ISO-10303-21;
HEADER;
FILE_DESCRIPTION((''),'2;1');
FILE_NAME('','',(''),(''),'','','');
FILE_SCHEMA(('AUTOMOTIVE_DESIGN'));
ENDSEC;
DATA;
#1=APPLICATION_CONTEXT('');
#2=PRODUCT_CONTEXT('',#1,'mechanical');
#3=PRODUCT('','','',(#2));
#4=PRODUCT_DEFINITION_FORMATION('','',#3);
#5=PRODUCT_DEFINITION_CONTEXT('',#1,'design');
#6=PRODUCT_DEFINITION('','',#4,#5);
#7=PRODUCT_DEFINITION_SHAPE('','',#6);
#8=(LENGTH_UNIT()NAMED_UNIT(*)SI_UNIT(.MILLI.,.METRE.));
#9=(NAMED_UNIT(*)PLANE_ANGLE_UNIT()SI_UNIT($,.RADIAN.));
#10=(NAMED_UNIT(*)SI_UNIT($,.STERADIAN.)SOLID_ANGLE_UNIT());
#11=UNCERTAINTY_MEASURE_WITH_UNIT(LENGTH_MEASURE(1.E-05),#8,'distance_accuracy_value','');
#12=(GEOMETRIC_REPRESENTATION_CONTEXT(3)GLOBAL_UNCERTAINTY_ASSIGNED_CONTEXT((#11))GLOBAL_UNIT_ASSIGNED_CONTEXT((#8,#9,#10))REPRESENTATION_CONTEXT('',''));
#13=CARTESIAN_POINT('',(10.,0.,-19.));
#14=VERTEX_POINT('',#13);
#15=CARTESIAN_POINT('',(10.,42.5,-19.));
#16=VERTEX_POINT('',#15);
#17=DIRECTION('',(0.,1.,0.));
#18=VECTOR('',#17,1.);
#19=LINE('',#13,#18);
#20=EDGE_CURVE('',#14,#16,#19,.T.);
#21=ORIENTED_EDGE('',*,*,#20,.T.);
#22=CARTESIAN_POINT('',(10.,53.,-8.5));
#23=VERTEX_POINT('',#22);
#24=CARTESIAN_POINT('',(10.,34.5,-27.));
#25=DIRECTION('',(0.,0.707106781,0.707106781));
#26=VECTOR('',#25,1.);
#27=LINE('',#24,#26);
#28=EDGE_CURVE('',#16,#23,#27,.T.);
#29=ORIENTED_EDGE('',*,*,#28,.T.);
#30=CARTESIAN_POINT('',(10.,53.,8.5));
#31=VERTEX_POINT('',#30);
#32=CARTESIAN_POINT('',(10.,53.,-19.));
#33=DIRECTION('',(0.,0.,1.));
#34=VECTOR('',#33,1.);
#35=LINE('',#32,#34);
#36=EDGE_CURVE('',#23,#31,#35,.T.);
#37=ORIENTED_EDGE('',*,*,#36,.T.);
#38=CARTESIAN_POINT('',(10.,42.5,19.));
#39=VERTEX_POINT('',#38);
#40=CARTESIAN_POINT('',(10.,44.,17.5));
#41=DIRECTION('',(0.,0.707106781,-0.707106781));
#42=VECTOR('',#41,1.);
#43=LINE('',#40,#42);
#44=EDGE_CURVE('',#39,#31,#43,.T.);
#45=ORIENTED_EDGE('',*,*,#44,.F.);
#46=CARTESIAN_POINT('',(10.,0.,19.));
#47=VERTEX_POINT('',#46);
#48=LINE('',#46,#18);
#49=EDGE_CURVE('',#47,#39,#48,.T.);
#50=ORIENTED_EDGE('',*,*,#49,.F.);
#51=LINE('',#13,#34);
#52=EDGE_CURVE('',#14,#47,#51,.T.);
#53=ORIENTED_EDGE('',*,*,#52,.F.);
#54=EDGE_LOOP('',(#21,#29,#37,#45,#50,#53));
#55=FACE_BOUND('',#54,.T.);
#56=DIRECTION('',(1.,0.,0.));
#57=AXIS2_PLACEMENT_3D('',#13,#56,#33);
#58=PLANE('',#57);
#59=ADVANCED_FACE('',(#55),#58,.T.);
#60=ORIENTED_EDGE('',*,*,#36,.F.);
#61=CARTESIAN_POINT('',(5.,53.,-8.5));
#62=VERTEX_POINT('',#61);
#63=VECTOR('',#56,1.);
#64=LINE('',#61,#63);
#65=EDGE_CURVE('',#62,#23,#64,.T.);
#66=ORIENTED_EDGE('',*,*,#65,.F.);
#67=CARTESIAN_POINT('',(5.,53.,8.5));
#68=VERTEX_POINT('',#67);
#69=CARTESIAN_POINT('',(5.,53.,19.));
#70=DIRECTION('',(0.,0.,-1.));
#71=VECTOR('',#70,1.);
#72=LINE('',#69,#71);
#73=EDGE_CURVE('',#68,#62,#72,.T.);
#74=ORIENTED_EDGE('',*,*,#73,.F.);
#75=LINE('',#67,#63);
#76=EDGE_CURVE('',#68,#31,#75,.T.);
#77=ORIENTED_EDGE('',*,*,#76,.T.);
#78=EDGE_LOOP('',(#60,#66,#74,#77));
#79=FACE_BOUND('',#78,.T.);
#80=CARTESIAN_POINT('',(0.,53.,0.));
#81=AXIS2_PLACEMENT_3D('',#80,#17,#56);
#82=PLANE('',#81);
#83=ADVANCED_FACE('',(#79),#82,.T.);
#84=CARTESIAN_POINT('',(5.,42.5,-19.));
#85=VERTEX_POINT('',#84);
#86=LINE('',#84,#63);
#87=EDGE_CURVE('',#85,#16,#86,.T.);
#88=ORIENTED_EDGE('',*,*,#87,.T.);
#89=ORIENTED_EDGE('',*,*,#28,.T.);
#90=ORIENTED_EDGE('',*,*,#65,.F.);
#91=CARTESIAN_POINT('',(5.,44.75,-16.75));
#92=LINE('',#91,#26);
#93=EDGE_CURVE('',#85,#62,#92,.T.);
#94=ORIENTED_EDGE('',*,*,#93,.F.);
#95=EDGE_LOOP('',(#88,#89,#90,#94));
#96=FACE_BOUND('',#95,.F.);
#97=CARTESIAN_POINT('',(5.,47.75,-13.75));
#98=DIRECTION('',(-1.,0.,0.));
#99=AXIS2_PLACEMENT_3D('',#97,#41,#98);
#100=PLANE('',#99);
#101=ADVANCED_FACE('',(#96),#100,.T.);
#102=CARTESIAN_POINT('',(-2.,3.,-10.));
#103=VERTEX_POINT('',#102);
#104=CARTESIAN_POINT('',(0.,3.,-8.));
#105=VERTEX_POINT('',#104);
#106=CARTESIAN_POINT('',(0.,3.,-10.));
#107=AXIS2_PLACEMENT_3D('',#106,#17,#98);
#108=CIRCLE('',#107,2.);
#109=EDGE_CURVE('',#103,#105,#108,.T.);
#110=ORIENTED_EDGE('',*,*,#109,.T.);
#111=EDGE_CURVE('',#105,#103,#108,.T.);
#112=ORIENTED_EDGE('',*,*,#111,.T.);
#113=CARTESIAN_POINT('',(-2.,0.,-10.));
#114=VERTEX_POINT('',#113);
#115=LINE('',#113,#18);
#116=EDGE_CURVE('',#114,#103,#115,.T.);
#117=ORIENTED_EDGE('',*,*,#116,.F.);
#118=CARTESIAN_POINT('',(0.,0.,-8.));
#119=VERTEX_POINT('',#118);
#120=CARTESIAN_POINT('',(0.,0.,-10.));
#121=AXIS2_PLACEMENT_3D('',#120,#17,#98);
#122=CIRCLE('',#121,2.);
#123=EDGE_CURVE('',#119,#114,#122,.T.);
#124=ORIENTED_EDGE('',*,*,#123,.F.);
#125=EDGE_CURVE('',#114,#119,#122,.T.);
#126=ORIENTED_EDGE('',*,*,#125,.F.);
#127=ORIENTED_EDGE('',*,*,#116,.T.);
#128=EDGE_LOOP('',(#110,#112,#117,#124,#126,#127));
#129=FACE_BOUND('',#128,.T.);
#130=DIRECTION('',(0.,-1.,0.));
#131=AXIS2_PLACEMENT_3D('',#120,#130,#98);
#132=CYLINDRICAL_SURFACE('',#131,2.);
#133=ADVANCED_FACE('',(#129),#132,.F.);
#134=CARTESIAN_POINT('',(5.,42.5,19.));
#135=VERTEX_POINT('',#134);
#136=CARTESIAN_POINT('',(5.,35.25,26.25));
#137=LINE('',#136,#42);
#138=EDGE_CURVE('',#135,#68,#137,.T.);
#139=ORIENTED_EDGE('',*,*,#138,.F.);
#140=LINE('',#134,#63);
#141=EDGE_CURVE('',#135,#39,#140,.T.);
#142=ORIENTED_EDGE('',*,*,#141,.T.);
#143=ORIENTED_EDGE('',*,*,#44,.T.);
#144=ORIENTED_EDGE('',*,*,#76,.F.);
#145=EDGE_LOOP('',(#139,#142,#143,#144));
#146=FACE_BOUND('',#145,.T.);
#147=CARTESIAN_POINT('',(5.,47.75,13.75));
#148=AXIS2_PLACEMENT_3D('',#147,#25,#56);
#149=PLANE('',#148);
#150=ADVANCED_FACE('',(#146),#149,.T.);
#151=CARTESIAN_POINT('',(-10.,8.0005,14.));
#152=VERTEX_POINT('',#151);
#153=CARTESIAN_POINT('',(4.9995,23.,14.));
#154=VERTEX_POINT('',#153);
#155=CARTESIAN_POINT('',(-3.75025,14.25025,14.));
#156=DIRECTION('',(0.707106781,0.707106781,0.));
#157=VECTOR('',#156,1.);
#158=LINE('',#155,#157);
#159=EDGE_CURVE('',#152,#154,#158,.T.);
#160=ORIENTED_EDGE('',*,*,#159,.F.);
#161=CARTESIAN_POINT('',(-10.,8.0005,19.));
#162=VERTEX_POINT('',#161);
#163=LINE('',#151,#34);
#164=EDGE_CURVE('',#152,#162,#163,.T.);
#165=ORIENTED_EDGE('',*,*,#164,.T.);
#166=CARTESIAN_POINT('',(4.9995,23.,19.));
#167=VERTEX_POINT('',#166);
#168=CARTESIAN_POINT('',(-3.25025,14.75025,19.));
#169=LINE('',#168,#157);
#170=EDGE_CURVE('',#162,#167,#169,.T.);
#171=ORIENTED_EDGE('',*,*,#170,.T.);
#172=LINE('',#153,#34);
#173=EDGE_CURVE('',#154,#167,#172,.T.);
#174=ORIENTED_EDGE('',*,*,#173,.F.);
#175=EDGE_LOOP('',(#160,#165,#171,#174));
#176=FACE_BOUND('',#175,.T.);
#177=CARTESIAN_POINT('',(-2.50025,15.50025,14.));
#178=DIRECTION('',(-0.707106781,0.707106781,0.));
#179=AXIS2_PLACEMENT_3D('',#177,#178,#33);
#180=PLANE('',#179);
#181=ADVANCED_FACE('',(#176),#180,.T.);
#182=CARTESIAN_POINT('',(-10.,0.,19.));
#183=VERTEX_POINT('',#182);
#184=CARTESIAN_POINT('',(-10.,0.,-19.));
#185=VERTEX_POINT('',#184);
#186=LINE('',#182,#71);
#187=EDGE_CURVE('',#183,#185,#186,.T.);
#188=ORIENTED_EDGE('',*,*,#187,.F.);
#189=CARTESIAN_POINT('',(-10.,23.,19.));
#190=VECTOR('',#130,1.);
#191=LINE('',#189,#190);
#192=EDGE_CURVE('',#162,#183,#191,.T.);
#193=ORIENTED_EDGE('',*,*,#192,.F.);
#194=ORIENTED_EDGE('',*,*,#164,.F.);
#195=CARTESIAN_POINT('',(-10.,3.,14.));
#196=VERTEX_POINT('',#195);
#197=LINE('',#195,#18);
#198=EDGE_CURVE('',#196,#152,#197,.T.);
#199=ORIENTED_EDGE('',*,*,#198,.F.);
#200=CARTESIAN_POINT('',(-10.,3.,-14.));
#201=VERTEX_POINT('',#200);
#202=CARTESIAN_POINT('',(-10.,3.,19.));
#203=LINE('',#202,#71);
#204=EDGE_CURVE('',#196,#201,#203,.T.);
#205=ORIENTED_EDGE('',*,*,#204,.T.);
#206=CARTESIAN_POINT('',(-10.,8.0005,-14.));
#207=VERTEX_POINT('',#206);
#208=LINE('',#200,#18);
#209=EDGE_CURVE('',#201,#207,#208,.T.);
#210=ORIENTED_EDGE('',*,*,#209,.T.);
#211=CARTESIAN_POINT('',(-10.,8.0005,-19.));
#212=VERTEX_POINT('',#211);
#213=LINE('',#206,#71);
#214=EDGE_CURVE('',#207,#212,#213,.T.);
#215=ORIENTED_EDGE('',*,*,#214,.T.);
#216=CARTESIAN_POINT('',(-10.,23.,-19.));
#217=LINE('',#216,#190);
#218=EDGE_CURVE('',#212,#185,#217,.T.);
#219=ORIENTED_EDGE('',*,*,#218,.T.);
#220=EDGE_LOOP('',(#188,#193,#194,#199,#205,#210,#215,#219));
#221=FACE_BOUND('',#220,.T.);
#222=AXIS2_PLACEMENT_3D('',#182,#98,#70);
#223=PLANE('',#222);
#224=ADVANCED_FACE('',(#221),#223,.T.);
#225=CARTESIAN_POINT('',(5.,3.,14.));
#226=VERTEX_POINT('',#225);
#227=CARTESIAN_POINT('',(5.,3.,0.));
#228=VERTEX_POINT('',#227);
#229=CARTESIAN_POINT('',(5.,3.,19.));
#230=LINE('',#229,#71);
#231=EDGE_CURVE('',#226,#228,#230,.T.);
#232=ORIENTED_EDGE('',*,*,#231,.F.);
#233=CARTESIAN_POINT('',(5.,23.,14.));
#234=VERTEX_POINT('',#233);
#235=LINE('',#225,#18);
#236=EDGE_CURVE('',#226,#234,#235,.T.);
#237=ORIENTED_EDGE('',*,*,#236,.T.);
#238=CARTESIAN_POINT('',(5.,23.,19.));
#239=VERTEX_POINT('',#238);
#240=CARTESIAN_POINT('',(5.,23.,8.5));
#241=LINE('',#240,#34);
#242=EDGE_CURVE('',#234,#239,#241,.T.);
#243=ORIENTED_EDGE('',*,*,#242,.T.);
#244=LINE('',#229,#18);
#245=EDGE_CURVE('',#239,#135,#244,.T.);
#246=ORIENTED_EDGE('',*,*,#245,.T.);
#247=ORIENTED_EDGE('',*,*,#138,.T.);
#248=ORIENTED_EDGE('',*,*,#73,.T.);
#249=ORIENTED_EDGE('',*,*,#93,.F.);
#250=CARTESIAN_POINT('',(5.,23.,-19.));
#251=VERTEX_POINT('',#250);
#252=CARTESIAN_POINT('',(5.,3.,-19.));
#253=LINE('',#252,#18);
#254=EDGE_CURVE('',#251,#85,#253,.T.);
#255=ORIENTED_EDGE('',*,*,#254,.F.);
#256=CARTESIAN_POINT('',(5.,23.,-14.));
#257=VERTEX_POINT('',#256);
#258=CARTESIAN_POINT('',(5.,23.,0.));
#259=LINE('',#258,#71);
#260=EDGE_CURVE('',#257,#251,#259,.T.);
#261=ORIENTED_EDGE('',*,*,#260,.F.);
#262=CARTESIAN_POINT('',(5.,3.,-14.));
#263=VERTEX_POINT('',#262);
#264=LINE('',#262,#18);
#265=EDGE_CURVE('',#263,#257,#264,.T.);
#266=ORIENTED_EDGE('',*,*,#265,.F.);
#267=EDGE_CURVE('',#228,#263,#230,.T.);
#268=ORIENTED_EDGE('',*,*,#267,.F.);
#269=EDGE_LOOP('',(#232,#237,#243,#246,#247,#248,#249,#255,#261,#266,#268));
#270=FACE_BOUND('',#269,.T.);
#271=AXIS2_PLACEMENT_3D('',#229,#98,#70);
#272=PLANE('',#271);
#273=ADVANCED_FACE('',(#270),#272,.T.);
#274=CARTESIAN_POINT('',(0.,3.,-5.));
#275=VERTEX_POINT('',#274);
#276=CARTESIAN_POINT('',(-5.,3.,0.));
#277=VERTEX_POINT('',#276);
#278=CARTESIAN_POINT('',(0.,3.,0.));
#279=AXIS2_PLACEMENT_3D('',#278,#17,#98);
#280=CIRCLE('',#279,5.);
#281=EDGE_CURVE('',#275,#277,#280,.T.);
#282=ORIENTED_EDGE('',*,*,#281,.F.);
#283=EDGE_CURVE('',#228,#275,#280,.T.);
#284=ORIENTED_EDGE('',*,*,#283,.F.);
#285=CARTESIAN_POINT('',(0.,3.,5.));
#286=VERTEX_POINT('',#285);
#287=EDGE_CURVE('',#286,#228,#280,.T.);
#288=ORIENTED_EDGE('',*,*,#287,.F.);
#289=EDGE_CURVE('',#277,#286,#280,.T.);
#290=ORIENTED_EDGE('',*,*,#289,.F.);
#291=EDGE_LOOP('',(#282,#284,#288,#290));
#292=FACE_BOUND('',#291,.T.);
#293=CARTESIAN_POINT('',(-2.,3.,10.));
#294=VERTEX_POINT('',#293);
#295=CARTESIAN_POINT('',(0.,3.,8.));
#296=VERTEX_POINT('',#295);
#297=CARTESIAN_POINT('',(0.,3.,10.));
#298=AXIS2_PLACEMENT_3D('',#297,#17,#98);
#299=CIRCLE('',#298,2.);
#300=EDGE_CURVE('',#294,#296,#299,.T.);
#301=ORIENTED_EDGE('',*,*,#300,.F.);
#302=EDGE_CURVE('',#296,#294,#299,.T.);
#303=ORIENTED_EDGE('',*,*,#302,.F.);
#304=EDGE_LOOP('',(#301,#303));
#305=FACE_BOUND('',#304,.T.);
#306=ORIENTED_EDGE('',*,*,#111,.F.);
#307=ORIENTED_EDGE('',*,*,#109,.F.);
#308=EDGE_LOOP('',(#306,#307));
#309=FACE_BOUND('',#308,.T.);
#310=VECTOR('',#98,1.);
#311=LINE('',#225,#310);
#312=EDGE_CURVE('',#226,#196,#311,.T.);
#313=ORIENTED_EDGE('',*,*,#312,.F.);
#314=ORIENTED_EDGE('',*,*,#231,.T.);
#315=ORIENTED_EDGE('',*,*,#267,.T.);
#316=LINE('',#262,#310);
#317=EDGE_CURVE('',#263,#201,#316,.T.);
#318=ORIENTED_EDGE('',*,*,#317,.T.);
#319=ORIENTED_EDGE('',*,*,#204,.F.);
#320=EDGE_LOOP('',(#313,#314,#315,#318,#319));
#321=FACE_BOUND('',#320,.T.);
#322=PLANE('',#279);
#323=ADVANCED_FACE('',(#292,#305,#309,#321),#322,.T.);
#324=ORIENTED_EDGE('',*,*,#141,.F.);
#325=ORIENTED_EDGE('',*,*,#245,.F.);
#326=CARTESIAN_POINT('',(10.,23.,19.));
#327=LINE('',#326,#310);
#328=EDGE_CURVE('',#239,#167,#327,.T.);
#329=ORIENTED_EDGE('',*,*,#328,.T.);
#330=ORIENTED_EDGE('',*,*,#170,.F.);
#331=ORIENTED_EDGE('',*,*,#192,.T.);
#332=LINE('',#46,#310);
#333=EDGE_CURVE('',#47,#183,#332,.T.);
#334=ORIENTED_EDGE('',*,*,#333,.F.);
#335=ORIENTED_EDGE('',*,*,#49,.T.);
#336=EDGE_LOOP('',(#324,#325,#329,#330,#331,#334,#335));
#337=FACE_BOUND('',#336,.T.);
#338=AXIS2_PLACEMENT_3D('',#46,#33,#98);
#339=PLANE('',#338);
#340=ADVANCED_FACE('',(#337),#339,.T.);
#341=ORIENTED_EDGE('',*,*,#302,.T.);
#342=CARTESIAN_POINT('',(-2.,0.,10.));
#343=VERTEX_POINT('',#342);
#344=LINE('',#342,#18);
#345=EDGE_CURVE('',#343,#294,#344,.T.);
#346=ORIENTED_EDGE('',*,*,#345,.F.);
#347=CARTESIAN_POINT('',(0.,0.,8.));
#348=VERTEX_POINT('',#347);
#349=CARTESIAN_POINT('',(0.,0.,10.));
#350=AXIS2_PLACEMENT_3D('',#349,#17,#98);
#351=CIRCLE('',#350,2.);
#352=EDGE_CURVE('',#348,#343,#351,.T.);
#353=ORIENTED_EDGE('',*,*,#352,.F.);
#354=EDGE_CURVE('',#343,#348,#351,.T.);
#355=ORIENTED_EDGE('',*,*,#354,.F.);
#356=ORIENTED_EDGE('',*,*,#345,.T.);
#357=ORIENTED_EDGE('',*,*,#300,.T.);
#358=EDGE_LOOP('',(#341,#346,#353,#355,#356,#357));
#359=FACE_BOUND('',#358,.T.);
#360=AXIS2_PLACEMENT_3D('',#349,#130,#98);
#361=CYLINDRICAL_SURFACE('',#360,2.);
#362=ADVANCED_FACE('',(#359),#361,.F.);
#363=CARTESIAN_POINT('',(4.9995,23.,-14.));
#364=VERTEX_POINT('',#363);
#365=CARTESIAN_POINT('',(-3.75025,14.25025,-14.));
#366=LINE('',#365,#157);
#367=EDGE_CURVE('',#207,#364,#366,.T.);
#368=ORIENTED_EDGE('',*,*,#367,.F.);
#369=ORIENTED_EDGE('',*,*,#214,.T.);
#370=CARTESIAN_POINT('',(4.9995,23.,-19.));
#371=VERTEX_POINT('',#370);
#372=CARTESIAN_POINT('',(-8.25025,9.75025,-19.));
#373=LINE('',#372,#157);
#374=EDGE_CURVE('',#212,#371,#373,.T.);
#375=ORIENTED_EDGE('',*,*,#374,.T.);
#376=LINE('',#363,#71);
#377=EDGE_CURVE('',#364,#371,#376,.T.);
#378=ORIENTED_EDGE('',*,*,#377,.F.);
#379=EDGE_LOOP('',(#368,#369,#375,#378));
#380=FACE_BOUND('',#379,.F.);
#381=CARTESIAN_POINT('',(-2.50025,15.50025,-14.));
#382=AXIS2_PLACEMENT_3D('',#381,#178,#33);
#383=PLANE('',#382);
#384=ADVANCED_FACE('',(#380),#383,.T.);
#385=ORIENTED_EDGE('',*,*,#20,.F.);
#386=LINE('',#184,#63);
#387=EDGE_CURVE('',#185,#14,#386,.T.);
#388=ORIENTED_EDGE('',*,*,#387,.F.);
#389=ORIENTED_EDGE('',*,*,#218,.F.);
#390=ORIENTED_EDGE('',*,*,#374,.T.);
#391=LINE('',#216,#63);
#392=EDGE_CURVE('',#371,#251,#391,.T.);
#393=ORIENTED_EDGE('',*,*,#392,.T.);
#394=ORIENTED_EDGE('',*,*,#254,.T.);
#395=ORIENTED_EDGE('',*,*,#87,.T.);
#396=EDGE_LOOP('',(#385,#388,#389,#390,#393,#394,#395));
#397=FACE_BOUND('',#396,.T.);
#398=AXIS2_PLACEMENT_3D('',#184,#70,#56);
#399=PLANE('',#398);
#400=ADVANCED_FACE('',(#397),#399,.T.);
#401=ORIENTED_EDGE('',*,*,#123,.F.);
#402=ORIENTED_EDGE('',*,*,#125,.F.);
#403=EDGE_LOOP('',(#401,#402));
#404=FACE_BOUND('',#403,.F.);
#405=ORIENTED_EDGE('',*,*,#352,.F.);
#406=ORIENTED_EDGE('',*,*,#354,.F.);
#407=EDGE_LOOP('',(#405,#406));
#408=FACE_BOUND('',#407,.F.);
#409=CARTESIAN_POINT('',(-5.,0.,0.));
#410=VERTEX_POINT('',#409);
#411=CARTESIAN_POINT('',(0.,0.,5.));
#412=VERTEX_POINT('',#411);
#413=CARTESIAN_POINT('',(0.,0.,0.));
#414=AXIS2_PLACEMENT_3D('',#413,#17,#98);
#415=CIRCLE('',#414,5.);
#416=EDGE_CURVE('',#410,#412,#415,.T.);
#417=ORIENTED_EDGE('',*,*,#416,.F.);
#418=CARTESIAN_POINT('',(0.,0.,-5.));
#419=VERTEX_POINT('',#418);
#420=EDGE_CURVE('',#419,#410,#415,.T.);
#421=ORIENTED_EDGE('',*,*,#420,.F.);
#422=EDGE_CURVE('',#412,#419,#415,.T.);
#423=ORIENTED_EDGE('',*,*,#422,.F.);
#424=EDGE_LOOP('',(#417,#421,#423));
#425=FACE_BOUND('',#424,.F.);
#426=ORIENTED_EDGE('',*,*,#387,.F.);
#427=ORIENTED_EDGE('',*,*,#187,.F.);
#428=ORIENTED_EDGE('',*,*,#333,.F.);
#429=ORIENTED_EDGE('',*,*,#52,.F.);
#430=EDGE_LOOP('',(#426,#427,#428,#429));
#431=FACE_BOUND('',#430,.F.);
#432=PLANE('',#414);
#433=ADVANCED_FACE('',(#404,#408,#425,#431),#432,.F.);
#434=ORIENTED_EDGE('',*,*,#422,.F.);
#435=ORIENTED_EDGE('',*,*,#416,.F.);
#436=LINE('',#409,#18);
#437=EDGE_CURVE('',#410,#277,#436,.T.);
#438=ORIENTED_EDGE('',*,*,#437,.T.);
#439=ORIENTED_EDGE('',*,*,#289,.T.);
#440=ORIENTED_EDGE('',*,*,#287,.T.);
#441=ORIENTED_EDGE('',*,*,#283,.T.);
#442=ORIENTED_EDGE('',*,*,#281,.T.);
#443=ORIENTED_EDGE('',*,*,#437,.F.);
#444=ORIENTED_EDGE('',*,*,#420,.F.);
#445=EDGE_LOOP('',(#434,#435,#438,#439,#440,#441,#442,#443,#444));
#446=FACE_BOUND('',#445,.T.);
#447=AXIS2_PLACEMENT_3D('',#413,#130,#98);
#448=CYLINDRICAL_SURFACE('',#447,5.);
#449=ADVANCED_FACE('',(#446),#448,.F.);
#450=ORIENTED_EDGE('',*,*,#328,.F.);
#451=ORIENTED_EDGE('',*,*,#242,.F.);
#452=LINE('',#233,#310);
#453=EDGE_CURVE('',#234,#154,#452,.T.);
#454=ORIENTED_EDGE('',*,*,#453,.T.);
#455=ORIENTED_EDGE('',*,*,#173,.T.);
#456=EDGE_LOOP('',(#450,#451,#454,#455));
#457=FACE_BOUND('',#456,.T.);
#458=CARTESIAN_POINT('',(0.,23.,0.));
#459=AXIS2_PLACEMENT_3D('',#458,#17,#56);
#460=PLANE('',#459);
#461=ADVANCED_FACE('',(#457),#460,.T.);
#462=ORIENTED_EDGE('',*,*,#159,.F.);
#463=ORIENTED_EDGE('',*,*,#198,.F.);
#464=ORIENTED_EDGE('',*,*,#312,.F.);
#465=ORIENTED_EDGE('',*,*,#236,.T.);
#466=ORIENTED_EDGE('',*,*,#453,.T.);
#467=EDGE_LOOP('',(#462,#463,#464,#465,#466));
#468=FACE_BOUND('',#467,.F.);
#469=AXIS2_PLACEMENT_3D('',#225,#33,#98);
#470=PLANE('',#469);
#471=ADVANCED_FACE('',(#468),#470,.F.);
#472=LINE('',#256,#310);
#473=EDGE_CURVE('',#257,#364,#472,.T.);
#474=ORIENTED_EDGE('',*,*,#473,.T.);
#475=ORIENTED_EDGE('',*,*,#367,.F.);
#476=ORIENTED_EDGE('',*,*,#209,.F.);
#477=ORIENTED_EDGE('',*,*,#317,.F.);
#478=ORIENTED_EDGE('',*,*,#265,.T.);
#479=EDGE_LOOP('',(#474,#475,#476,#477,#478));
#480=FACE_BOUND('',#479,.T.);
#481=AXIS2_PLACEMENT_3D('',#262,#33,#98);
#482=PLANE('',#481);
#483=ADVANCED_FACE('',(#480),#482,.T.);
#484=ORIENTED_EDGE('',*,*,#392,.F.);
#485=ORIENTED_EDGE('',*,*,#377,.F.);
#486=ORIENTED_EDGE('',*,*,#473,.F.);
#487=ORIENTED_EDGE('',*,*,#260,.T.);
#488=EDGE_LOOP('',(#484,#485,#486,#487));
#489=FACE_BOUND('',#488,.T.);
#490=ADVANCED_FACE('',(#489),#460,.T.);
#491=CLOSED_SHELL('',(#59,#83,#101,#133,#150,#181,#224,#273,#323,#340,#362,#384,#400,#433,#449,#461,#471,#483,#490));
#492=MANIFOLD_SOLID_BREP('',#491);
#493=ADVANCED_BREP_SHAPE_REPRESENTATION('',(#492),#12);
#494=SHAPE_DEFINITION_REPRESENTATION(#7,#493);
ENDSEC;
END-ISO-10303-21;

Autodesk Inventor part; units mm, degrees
ref_plane "YZ Plane" through (0, 0, 0) normal (1, 0, 0) x (0, 1, 0)
ref_plane "XZ Plane" through (0, 0, 0) normal (0, 1, 0) x (-1, 0, 0)
ref_plane "XY Plane" through (0, 0, 0) normal (0, 0, 1) x (1, 0, 0)
sketch "Эскиз1" plane through (0, 0, 0) normal (0, 1, 0) x (-1, 0, 0)
  line L0 (-10, 19) -> (10, 19)
  line L1 (10, 19) -> (10, -19)
  line L2 (10, -19) -> (-10, -19)
  line L3 (-10, -19) -> (-10, 19)
  line L4 (-10, 19) -> (10, -19) construction
  line L5 (10, 19) -> (-10, -19) construction
  circle A0 centre (0, 0) radius 5
  line L6 (0, 0) -> (0, 10)
  line L7 (0, 10) -> (0, -10)
  circle A1 centre (0, 10) radius 2
  circle A2 centre (0, -10) radius 2
  dimension "d0" = 20
  dimension "d1" = 38
  dimension "d2" = 10
  dimension "d3" = 10
  dimension "d4" = 20
  dimension "d5" = 4
  dimension "d6" = 4
extrude "Выдавливание1" add sketch "Эскиз1" along normal blind 3
sketch "Эскиз2" plane through (0, 3, 0) normal (0, 1, 0) x (1, 0, 0)
  line L0 (-10, -19) -> (10, -19) projected
  line L1 (10, -19) -> (5, -19)
  line L2 (5, -19) -> (5, 19)
  line L3 (5, 19) -> (10, 19)
  line L4 (10, 19) -> (10, -19)
  point P0 (0, 0)
  dimension "d9" = 38
  dimension "d10" = 5
extrude "Выдавливание2" add sketch "Эскиз2" along normal blind 50
chamfer "Фаска1" distance 10.5 angle 45 2 edges at (7.5, 53, -19) (7.5, 53, 19)
sketch "Эскиз3" plane through (0, 3, 0) normal (0, 1, 0) x (1, 0, 0)
  line L0 (-10, 19) -> (10, 19) projected
  line L1 (5, 0) -> (5, 19) projected
  line L2 (-10, 19) -> (5, 19)
  line L3 (5, 19) -> (5, 14)
  line L4 (5, 14) -> (-10, 14)
  line L5 (-10, 14) -> (-10, 19)
  line L6 (10, -19) -> (-10, -19) projected
  line L7 (5, -8.5) -> (5, -19) projected
  line L8 (-10, -19) -> (5, -19)
  line L9 (5, -19) -> (5, -14)
  line L10 (5, -14) -> (-10, -14)
  line L11 (-10, -14) -> (-10, -19)
  point P0 (0, 0)
  dimension "d16" = 5
  dimension "d17" = 5
extrude "Выдавливание3" add sketch "Эскиз3" along normal blind 20
chamfer "Фаска2" distance 15 angle 45 2 edges at (-10, 23, -16.5) (-10, 23, 16.5)
properties part number "МД.001.1005 - Прихват"
